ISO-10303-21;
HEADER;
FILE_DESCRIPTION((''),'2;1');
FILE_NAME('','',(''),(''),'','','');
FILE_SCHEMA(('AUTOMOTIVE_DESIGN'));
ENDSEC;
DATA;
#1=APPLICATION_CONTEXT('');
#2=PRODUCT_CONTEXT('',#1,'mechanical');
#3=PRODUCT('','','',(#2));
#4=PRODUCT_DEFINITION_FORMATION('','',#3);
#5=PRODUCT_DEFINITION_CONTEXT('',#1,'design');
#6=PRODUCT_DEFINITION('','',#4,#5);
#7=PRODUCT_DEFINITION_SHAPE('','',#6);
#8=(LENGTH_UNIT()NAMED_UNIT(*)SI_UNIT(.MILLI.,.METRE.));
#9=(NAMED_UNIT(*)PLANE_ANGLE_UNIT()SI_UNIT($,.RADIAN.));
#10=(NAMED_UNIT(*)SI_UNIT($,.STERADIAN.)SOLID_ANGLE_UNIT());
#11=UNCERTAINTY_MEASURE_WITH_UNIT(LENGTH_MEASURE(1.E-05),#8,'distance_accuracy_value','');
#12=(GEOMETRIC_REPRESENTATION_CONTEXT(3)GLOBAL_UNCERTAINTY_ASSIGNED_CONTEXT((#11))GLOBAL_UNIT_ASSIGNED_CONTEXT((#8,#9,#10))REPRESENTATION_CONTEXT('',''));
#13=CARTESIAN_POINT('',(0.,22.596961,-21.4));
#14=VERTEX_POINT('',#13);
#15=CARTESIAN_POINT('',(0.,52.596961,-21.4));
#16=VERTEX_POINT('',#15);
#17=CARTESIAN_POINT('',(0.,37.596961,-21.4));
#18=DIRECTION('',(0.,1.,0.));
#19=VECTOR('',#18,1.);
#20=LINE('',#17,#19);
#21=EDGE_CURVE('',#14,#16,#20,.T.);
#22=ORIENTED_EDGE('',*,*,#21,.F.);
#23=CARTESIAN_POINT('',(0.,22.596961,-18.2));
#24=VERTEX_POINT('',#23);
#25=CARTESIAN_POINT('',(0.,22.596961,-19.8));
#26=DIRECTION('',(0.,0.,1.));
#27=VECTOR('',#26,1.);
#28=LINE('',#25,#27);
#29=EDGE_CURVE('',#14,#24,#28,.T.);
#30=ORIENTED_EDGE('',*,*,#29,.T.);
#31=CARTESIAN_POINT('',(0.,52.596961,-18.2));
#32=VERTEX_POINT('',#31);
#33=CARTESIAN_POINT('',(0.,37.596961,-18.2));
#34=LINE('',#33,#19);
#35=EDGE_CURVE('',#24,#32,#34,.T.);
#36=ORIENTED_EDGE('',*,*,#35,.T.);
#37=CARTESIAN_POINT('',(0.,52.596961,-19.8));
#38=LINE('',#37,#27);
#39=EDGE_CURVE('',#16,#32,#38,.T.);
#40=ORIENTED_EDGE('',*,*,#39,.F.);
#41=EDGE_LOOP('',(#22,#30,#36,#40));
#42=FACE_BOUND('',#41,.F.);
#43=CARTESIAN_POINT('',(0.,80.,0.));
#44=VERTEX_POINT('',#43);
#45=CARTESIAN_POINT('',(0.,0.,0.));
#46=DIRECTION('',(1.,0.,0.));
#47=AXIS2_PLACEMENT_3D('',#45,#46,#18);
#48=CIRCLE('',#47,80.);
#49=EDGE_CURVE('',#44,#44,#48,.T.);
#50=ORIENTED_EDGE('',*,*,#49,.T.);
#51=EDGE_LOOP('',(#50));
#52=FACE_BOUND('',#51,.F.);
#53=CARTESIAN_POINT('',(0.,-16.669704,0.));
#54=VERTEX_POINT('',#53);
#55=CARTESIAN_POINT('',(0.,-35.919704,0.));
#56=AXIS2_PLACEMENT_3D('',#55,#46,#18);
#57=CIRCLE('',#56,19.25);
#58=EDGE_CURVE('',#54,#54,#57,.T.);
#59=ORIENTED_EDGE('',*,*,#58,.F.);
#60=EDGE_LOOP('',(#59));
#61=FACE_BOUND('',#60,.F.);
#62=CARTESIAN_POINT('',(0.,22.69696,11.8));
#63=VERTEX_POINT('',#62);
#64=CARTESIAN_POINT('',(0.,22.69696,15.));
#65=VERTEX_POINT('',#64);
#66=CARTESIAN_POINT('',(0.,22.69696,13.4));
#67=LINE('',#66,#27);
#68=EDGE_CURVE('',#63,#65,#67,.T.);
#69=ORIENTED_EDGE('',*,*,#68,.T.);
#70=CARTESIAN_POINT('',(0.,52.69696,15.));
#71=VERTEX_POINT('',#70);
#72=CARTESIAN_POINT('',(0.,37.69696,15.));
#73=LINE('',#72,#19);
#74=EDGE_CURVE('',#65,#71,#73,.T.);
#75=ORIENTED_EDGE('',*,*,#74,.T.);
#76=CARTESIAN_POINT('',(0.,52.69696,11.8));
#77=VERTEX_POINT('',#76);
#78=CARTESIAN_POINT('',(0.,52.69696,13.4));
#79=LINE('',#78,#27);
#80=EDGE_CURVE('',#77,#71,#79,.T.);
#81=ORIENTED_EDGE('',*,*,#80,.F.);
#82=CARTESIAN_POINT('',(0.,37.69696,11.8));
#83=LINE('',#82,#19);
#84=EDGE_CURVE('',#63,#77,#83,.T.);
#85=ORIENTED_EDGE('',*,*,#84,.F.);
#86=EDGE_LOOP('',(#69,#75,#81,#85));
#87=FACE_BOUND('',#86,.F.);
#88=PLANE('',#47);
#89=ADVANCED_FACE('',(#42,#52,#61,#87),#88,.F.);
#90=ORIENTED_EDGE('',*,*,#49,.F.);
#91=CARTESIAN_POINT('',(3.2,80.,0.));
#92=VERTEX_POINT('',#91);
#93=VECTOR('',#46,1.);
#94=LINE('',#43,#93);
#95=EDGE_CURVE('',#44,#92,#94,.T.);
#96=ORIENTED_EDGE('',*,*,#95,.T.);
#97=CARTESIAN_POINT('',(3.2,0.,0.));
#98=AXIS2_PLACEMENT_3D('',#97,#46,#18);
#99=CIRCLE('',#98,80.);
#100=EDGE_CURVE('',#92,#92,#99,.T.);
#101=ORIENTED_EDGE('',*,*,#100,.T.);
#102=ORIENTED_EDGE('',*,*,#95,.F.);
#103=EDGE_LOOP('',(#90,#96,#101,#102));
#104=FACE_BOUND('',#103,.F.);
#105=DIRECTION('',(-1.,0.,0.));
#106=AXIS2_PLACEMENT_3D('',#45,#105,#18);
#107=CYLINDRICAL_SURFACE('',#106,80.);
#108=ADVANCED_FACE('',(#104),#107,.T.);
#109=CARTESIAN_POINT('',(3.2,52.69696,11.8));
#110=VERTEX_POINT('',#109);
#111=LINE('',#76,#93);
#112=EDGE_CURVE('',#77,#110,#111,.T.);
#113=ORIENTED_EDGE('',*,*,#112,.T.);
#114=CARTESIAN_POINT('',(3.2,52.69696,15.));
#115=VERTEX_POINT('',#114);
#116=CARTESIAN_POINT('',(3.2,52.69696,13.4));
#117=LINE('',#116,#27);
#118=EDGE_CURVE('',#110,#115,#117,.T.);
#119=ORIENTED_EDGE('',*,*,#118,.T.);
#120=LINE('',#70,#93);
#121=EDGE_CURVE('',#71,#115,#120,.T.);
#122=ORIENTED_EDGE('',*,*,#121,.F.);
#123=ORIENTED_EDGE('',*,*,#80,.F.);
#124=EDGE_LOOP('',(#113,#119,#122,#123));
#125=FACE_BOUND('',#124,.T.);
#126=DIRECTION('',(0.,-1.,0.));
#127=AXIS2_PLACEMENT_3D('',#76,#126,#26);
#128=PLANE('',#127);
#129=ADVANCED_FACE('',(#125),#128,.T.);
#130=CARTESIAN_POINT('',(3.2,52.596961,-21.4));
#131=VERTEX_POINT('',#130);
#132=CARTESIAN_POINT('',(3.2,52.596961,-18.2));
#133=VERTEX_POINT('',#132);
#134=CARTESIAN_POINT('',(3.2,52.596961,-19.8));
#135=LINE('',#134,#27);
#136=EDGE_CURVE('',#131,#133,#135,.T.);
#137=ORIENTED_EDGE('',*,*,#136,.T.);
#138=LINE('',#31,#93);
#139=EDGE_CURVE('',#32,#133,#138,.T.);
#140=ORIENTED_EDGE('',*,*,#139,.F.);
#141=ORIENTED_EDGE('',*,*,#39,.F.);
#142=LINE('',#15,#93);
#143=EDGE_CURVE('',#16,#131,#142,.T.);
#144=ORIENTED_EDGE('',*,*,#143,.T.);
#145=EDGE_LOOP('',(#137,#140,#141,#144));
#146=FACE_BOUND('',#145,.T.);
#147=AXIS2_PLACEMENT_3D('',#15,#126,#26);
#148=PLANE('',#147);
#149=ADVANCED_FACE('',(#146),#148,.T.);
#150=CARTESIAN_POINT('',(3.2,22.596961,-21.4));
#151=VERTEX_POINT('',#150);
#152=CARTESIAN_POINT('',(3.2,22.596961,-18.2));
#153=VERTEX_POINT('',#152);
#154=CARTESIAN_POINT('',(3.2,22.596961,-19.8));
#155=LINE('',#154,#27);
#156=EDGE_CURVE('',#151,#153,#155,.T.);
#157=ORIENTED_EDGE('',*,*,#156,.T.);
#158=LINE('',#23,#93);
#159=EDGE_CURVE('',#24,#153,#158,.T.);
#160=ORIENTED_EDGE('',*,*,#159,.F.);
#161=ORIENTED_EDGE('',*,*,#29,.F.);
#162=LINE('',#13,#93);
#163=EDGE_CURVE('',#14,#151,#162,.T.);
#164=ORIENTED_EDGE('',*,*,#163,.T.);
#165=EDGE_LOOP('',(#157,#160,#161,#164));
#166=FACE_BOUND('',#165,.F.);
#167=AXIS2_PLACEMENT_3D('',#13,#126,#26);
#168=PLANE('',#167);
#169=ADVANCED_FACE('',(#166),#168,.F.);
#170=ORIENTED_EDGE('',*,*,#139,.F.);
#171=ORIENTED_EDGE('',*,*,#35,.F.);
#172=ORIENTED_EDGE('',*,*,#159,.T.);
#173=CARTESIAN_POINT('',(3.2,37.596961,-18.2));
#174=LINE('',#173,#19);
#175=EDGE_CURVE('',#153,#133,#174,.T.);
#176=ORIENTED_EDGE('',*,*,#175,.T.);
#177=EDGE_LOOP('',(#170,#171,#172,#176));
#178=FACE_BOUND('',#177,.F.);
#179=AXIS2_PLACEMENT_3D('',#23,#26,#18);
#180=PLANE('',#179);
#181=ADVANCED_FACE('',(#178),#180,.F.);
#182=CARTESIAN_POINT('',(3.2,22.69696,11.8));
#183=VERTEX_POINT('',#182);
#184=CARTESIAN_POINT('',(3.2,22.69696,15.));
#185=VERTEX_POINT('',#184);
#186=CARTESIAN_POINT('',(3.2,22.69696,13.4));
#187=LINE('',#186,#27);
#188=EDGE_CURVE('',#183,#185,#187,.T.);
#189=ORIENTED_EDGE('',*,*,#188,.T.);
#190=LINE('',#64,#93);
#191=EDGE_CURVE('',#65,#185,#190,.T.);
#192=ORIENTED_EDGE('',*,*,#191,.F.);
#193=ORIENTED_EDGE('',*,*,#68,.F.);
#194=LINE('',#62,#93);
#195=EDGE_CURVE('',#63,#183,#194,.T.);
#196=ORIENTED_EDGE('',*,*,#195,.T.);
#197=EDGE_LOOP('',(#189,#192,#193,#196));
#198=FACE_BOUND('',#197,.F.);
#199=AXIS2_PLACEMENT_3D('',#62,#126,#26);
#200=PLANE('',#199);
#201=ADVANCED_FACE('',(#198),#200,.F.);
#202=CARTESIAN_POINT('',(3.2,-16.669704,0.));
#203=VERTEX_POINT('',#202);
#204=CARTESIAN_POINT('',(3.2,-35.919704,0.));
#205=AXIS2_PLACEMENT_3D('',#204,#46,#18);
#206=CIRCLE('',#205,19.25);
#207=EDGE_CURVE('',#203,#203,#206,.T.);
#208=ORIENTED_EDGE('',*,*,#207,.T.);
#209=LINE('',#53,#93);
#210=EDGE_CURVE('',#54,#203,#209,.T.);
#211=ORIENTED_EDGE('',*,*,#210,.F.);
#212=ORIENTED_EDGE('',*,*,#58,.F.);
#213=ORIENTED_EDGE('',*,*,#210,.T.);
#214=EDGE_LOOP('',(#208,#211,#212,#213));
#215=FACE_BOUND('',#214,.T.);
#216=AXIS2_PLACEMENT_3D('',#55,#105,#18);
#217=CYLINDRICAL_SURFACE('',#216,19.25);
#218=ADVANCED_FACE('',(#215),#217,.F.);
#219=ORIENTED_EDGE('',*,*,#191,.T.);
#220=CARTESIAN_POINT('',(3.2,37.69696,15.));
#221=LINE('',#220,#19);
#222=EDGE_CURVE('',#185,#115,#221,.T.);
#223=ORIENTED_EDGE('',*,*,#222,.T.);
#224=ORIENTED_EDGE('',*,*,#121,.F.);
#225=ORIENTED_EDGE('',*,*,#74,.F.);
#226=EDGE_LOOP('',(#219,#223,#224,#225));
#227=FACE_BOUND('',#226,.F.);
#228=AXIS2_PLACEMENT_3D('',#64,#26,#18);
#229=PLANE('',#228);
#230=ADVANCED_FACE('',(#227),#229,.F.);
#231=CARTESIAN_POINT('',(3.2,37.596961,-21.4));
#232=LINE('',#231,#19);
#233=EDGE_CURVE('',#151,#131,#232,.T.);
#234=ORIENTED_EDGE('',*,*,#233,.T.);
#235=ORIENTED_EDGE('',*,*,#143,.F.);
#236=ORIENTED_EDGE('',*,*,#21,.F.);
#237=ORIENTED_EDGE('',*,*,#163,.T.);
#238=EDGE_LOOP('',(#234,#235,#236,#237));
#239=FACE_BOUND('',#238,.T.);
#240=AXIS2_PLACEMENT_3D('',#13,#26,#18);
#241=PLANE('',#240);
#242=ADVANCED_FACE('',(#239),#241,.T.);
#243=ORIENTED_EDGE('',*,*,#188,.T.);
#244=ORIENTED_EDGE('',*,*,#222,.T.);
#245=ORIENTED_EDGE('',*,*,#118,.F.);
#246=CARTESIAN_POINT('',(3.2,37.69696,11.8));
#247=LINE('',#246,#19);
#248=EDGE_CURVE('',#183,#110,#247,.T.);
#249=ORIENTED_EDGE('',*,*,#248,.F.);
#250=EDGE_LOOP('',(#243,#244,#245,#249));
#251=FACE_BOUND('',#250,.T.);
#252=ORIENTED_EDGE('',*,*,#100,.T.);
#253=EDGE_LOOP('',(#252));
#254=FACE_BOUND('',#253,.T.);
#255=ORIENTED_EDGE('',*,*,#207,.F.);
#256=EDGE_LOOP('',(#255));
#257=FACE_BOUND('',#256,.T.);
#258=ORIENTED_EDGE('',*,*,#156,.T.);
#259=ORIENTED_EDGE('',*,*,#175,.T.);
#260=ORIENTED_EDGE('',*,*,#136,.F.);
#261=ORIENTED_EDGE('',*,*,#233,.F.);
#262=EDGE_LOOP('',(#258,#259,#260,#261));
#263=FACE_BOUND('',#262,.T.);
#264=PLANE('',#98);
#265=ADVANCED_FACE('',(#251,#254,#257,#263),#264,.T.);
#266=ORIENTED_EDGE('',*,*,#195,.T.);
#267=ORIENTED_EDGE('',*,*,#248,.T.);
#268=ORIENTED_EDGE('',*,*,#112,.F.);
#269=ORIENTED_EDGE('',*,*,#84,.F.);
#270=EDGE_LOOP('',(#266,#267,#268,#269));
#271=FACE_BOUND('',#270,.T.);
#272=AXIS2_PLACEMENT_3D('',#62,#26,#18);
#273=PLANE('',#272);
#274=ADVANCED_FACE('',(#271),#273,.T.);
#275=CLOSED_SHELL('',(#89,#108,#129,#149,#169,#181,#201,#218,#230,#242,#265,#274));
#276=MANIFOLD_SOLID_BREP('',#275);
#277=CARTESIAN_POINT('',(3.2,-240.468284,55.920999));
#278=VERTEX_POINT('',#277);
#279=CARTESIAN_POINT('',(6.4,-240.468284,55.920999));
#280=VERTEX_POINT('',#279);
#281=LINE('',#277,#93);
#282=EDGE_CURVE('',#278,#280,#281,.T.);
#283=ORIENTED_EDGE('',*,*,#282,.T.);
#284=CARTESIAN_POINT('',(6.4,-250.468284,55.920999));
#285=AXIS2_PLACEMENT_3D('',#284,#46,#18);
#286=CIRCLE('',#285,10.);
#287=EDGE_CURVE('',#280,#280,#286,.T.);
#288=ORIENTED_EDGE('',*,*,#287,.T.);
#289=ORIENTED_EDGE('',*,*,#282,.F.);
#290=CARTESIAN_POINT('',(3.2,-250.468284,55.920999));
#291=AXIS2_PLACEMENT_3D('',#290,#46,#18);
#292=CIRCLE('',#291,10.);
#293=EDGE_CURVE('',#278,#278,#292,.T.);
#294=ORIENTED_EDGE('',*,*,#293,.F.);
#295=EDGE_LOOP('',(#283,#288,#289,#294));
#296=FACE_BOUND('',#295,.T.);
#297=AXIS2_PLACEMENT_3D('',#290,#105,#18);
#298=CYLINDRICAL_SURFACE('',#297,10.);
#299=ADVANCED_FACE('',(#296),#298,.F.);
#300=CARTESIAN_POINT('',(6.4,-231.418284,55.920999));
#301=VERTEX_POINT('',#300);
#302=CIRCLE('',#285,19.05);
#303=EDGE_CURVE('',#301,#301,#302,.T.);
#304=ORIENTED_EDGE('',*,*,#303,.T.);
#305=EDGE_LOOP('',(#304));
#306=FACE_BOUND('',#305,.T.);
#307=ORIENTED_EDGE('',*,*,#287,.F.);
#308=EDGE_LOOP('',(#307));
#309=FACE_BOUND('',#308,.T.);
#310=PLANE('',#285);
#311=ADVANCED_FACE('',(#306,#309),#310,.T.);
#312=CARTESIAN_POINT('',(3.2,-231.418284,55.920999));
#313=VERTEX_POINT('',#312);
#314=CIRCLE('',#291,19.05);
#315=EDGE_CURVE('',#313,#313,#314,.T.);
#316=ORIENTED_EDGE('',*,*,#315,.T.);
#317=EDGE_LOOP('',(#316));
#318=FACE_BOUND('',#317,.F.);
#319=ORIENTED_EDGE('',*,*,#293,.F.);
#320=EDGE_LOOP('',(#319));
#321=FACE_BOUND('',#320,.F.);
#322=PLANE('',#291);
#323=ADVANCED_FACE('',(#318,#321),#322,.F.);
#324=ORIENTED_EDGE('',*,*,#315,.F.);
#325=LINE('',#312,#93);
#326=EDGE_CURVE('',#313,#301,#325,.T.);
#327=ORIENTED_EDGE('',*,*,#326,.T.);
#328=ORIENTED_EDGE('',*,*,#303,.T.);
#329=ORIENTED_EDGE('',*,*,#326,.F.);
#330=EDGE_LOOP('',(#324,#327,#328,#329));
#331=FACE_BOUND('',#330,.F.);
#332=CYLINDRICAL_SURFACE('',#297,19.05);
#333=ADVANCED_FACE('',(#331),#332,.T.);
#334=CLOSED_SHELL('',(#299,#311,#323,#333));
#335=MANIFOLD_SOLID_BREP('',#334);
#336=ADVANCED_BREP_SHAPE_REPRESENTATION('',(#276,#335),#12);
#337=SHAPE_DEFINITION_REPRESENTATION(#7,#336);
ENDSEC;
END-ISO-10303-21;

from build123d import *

# Parameters (mm, degrees)
F0_R     = 80
F0_W     = 30
F0_H     = 3.2
F0_R_2   = 19.25
F1_DEPTH = 3.2
F2_R     = 19.05
F2_R_2   = 10
F3_DEPTH = 3.2


with BuildPart() as f1:
    # F0 (on Right) → F1 (new body)
    with BuildSketch(Plane.YZ):
        Circle(F0_R)
        with Locations((37.596961, -19.8)):
            Rectangle(F0_W, F0_H, mode=Mode.SUBTRACT)
        with Locations((-35.919704, 0)):
            Circle(F0_R_2, mode=Mode.SUBTRACT)
        with Locations((37.69696, 13.4)):
            Rectangle(F0_W, F0_H, mode=Mode.SUBTRACT)
    extrude(amount=F1_DEPTH)


with BuildPart() as f3:
    # F2 (on face) → F3 (new body)
    with BuildSketch(Plane.YZ.offset(3.2)):
        with Locations((-250.468284, 55.920999)):
            Circle(F2_R)
        with Locations((-250.468284, 55.920999)):
            Circle(F2_R_2, mode=Mode.SUBTRACT)
    extrude(amount=F3_DEPTH)


solid = Compound([f1.part, f3.part])
